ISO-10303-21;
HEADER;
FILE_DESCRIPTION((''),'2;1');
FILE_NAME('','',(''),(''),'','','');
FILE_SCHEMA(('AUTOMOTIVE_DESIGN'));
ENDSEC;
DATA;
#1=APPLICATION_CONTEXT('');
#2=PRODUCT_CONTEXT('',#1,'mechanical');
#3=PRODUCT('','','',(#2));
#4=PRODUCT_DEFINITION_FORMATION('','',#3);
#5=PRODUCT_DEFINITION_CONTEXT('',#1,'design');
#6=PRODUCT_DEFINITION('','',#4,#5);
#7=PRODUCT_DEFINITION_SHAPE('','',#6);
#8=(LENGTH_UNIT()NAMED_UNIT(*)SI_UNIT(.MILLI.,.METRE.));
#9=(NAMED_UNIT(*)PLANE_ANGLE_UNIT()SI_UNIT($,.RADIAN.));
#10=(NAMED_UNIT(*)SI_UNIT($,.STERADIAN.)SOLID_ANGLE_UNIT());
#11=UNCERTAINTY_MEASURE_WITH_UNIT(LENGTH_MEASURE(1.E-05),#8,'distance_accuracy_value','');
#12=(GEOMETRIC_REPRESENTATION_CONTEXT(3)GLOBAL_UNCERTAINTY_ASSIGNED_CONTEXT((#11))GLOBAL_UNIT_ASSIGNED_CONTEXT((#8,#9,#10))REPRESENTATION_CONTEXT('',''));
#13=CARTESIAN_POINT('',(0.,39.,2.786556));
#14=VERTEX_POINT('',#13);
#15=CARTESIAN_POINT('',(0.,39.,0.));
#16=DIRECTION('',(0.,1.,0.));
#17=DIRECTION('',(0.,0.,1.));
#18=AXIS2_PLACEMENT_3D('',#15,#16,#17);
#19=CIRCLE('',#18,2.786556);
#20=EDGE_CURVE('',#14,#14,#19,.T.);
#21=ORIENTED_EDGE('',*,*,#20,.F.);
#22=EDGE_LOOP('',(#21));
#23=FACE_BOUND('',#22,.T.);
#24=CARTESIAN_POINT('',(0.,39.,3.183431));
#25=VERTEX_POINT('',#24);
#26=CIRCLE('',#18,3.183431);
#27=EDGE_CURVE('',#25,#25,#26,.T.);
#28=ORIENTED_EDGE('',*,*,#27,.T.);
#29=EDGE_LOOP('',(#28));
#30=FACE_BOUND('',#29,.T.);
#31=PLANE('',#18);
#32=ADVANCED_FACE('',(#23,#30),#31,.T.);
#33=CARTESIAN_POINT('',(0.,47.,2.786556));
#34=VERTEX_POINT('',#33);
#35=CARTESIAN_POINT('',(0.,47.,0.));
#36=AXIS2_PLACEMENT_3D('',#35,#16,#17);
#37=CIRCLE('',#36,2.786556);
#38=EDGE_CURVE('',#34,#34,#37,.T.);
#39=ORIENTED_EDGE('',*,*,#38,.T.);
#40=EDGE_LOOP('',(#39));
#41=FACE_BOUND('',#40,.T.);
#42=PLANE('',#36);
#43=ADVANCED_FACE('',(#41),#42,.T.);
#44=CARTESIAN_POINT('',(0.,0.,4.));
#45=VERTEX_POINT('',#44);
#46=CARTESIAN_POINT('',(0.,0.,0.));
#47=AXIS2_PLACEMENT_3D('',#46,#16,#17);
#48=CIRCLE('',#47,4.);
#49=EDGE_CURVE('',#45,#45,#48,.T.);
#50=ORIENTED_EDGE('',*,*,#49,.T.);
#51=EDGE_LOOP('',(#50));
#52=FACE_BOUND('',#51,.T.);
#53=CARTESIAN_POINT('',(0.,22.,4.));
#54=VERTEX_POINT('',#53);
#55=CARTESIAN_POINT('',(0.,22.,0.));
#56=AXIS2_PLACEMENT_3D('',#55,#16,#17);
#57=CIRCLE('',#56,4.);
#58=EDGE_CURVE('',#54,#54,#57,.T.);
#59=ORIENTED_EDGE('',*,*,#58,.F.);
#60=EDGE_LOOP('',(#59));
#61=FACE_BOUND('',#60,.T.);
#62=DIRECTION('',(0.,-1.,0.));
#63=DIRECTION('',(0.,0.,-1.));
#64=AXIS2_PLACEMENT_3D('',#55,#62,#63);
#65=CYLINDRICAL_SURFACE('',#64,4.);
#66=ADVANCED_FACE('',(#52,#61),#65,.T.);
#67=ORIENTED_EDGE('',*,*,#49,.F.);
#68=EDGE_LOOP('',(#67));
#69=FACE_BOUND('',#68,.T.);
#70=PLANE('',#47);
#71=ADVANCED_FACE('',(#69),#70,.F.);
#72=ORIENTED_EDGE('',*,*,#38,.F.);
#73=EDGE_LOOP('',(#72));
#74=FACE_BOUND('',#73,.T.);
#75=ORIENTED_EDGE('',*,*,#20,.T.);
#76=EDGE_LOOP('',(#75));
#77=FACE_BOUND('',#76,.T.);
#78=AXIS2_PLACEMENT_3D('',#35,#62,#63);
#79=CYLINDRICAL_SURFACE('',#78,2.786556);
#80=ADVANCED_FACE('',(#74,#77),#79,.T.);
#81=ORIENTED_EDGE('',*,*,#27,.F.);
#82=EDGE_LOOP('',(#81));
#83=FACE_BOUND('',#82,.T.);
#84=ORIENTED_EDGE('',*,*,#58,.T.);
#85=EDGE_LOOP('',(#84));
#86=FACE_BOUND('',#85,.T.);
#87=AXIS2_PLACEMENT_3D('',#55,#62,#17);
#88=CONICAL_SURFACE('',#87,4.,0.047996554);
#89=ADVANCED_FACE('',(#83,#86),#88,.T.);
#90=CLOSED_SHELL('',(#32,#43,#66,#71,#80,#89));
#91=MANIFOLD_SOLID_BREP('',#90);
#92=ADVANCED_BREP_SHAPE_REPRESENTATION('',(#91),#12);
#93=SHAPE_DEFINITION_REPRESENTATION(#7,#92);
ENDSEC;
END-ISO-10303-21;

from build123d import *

# Parameters (mm, degrees)
SKETCH1_R           = 4
BOSS_EXTRUDE1_DEPTH = 22
SKETCH2_R           = 4
BOSS_EXTRUDE2_DEPTH = 17
BOSS_EXTRUDE2_TAPER = 2.75
SKETCH3_R           = 2.786556444
BOSS_EXTRUDE3_DEPTH = 8


with BuildPart() as part:
    # Sketch1 → Boss-Extrude1 (new body)
    with BuildSketch(Plane(origin=(0, 0, 0), x_dir=(1, 0, 0), z_dir=(0, 1, 0))):
        with Locations(Location((0, 0, 0), (0, 0, 270))):
            Circle(SKETCH1_R)
    extrude(amount=BOSS_EXTRUDE1_DEPTH)

    # Sketch2 → Boss-Extrude2 (add)
    with BuildSketch(Plane(origin=(0, 22, 0), x_dir=(1, 0, 0), z_dir=(0, 1, 0))):
        with Locations(Location((0, 0, 0), (0, 0, 270))):
            Circle(SKETCH2_R)
    extrude(amount=BOSS_EXTRUDE2_DEPTH, taper=BOSS_EXTRUDE2_TAPER)

    # Sketch3 → Boss-Extrude3 (add)
    with BuildSketch(Plane(origin=(0, 39, 0), x_dir=(1, 0, 0), z_dir=(0, 1, 0))):
        with Locations(Location((0, 0, 0), (0, 0, 270))):
            Circle(SKETCH3_R)
    extrude(amount=BOSS_EXTRUDE3_DEPTH)


solid = part.part
